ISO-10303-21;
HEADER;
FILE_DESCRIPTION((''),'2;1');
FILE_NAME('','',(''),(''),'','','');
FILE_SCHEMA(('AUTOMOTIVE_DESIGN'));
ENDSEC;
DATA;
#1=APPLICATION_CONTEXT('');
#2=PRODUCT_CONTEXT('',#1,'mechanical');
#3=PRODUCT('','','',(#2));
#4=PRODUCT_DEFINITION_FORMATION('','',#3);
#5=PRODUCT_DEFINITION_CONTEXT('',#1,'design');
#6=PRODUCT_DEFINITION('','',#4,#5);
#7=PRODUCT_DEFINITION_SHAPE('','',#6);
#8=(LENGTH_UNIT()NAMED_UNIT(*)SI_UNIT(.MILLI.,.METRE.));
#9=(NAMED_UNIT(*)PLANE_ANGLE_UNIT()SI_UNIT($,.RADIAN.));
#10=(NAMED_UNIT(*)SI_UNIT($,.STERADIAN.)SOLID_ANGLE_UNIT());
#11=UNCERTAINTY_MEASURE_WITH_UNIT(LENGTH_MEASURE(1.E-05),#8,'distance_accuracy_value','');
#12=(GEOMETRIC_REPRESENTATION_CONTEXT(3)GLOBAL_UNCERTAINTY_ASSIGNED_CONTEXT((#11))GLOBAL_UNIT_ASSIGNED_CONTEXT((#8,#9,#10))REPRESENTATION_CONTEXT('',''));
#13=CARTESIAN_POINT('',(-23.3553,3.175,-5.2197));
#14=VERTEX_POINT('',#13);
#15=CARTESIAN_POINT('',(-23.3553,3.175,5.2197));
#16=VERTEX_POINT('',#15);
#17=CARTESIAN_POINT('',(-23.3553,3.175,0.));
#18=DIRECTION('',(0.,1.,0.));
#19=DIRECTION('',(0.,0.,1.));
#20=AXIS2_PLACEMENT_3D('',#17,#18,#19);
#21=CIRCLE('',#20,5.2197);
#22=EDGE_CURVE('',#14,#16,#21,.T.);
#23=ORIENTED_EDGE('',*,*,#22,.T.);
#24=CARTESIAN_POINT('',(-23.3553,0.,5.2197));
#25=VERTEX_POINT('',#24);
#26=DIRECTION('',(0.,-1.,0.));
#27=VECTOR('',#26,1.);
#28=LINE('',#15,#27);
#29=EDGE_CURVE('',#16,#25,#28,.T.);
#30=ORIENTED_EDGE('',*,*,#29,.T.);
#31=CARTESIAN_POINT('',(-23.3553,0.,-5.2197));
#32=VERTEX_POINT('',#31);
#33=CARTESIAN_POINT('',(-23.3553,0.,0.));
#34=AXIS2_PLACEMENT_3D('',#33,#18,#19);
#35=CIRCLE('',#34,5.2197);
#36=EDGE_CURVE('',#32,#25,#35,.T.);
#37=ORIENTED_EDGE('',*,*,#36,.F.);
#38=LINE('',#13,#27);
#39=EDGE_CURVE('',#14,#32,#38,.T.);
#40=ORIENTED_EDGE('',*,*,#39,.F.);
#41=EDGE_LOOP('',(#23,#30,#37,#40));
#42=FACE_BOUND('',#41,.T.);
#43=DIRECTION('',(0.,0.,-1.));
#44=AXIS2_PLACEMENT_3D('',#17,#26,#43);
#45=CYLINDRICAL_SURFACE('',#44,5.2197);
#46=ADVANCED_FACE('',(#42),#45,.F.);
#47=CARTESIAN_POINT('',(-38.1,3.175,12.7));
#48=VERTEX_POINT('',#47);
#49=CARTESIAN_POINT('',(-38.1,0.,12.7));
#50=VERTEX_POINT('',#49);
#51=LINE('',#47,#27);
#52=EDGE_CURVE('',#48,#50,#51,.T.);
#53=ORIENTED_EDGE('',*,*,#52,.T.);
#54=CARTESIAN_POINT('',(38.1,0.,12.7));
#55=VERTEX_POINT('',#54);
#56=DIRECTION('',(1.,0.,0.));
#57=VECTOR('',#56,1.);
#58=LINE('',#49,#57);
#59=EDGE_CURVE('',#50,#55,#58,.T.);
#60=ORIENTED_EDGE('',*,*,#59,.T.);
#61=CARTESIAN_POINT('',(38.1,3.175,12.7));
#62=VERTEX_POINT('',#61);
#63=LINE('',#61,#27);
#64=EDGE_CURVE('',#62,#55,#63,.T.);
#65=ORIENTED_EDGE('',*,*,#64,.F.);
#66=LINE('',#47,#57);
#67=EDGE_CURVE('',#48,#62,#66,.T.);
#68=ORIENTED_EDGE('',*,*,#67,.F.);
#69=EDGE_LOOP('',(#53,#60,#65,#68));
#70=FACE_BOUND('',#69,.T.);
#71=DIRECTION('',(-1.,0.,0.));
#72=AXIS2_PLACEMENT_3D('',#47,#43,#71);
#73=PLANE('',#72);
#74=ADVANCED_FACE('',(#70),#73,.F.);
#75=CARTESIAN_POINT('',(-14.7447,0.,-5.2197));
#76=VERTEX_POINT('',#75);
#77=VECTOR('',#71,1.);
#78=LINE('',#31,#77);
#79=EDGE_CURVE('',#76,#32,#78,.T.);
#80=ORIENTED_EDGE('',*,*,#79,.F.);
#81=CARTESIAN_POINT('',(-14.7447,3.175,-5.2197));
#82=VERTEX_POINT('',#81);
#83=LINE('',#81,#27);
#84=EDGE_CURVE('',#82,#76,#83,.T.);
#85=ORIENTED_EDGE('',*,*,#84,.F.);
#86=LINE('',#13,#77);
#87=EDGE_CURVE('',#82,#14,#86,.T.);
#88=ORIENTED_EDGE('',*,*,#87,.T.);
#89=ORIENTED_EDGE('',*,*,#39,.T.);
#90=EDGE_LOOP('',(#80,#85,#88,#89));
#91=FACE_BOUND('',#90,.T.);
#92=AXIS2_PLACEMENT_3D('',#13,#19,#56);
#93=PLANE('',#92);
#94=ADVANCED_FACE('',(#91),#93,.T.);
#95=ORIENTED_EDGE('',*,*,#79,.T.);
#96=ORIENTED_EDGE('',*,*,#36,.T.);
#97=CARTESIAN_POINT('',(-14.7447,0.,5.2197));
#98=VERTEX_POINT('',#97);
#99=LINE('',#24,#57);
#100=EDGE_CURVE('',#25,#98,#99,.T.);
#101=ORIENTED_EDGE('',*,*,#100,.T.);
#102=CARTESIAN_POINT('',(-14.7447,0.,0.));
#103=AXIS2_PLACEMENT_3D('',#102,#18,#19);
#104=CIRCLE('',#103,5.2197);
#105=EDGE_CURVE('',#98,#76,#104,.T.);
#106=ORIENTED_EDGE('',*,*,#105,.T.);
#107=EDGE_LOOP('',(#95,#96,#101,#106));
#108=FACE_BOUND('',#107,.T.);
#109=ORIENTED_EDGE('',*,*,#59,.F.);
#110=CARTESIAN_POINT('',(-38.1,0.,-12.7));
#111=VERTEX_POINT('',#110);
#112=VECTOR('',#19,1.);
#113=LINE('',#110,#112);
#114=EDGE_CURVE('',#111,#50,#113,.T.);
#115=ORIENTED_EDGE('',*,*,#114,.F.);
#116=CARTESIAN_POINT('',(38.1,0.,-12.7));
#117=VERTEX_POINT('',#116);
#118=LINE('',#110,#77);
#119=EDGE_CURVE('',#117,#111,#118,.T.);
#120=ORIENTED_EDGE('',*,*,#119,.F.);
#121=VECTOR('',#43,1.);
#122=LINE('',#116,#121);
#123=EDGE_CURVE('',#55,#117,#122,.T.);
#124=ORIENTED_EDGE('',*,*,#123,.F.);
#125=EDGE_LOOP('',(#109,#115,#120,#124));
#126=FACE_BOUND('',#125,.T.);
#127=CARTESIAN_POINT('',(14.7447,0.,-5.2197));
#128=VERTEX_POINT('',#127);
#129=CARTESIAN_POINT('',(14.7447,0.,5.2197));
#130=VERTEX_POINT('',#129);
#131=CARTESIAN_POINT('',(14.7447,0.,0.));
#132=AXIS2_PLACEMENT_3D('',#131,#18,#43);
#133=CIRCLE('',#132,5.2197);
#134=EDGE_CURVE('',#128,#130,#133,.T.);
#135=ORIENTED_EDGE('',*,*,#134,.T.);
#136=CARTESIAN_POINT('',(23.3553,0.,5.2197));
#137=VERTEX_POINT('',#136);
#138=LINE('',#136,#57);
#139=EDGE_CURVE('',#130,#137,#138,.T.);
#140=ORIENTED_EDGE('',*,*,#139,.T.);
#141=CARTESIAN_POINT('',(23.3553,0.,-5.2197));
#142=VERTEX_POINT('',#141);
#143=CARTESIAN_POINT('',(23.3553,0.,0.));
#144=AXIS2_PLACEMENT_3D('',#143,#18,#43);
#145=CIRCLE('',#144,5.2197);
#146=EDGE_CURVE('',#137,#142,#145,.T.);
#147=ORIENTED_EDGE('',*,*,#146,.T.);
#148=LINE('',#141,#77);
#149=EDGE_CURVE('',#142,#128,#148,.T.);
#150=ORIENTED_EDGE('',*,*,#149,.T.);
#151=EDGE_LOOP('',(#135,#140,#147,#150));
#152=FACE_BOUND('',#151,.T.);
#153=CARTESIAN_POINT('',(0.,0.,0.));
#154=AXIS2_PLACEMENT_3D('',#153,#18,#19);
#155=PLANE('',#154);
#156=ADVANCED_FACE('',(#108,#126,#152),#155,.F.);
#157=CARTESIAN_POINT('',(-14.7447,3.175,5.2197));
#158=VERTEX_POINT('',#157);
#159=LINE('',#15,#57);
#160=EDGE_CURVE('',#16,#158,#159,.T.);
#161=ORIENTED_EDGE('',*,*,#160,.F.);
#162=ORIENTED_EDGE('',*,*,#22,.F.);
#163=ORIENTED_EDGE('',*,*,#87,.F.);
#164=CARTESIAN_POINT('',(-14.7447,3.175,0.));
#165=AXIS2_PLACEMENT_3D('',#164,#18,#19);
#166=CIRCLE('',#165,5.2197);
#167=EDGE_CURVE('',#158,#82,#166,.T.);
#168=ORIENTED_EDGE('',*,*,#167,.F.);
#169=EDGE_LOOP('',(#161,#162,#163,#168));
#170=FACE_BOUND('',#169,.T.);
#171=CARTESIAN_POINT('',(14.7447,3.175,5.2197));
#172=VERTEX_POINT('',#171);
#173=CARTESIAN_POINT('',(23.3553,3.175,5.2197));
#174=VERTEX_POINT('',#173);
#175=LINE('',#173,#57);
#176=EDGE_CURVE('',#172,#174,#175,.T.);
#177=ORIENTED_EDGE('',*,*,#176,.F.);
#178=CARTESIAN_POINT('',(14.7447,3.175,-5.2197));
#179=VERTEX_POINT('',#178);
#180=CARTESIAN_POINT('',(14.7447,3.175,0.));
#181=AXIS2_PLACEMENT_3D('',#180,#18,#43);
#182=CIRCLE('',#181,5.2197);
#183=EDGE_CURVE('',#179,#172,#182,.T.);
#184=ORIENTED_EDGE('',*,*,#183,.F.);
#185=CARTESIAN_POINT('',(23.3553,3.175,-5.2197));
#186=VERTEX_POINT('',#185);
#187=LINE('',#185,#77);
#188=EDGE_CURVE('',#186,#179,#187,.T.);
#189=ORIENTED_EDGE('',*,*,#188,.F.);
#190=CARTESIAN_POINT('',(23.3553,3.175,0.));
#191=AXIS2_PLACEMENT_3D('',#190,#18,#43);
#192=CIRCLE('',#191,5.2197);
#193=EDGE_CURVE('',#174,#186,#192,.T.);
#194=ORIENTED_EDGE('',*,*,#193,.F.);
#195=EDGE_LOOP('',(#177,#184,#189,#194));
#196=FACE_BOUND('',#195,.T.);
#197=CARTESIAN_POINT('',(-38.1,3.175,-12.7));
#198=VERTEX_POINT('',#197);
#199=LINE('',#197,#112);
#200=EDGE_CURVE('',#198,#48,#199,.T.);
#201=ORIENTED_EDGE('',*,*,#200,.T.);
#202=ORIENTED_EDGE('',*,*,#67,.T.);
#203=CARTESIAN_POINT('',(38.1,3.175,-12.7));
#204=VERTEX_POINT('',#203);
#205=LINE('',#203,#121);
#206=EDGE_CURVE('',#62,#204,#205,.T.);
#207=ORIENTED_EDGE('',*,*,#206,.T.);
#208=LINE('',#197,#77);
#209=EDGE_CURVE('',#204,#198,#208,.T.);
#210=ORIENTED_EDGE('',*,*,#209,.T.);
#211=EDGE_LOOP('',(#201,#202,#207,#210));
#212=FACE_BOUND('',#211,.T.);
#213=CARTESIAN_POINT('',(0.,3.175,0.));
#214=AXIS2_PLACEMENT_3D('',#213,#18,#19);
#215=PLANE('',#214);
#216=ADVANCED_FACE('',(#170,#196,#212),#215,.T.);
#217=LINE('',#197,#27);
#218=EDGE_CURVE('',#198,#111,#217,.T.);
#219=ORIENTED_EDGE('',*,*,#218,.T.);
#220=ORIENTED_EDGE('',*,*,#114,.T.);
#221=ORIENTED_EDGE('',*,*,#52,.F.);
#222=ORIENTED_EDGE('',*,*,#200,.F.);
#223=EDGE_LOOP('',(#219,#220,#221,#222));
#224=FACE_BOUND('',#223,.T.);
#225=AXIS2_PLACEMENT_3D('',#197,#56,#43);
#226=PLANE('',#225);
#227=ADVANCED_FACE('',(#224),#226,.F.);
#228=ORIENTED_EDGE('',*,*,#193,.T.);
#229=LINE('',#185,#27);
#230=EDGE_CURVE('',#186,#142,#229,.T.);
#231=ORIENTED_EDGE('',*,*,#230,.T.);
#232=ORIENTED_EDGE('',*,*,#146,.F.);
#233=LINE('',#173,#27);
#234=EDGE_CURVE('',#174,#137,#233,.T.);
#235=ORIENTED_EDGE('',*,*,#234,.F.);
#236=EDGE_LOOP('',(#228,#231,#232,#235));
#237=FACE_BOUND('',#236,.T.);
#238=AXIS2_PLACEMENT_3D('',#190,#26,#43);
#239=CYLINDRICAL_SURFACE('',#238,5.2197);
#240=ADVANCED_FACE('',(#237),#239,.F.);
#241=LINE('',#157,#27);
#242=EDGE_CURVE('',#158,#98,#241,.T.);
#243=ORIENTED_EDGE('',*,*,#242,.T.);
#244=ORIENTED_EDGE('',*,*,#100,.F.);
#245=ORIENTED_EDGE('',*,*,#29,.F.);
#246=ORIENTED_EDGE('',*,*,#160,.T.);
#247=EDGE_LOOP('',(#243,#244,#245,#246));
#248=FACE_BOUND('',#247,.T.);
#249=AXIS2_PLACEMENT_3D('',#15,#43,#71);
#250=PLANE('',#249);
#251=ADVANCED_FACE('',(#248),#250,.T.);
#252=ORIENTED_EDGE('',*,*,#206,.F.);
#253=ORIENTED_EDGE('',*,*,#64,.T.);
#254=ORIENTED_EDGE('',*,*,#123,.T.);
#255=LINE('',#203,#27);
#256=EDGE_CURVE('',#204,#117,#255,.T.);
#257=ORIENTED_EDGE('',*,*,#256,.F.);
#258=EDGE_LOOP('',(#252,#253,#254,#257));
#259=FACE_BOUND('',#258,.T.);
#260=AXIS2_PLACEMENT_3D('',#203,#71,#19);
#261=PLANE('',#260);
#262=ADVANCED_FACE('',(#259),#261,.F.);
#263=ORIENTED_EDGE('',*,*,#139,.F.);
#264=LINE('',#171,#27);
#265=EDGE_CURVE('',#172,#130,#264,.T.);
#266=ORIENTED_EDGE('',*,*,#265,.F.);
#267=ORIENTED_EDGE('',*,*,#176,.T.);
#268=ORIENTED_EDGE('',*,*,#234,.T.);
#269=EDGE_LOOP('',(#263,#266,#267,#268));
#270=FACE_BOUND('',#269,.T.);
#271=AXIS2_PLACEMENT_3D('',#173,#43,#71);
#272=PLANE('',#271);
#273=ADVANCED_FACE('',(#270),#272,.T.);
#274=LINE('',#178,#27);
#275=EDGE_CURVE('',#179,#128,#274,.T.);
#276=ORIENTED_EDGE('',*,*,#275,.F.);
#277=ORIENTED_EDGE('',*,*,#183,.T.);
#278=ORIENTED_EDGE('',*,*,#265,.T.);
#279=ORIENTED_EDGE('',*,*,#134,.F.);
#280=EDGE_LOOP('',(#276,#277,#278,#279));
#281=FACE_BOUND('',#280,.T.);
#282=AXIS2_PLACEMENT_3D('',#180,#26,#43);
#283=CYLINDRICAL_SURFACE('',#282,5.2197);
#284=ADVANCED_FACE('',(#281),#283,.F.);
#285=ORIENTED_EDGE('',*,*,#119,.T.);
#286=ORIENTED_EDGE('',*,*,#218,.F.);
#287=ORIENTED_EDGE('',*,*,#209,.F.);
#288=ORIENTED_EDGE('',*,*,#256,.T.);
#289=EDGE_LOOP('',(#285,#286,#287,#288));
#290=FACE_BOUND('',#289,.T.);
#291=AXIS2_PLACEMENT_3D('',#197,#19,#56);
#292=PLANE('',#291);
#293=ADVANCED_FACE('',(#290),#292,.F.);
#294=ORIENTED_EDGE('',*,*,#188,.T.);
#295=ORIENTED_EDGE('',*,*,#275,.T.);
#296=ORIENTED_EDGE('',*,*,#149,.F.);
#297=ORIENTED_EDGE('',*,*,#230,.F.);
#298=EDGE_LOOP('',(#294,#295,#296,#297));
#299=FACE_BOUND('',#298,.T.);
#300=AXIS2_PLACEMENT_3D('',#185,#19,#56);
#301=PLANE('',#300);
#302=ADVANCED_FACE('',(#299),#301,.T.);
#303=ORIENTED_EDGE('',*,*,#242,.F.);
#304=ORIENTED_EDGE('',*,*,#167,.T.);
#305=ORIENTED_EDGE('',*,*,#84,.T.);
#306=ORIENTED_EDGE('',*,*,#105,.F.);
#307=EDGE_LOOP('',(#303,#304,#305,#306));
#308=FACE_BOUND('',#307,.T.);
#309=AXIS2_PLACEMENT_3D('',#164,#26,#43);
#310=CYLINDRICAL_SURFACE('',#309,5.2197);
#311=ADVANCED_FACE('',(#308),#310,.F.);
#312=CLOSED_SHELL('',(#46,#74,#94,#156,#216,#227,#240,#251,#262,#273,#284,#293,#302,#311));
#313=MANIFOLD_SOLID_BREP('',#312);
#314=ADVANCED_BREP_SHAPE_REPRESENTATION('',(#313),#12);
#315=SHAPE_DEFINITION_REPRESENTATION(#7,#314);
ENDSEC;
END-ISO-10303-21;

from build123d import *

# Parameters (mm, degrees)
SKETCH1_W           = 76.2
SKETCH1_H           = 25.4
BOSS_EXTRUDE1_DEPTH = 3.175


with BuildPart() as part:
    # Sketch1 → Boss-Extrude1 (new body)
    with BuildSketch(Plane(origin=(0, 0, 0), x_dir=(1, 0, 0), z_dir=(0, 1, 0))):
        Rectangle(SKETCH1_W, SKETCH1_H)
        with BuildLine():
            Line((-23.3553, 5.2197), (-14.7447, 5.2197))
            ThreePointArc((-14.7447, 5.2197), (-9.525, 0), (-14.7447, -5.2197))
            Line((-14.7447, -5.2197), (-23.3553, -5.2197))
            ThreePointArc((-23.3553, -5.2197), (-28.575, 0), (-23.3553, 5.2197))
        make_face(mode=Mode.SUBTRACT)
        with BuildLine():
            Line((23.3553, 5.2197), (14.7447, 5.2197))
            ThreePointArc((14.7447, 5.2197), (9.525, 0), (14.7447, -5.2197))
            Line((14.7447, -5.2197), (23.3553, -5.2197))
            ThreePointArc((23.3553, -5.2197), (28.575, 0), (23.3553, 5.2197))
        make_face(mode=Mode.SUBTRACT)
    extrude(amount=BOSS_EXTRUDE1_DEPTH)


solid = part.part
